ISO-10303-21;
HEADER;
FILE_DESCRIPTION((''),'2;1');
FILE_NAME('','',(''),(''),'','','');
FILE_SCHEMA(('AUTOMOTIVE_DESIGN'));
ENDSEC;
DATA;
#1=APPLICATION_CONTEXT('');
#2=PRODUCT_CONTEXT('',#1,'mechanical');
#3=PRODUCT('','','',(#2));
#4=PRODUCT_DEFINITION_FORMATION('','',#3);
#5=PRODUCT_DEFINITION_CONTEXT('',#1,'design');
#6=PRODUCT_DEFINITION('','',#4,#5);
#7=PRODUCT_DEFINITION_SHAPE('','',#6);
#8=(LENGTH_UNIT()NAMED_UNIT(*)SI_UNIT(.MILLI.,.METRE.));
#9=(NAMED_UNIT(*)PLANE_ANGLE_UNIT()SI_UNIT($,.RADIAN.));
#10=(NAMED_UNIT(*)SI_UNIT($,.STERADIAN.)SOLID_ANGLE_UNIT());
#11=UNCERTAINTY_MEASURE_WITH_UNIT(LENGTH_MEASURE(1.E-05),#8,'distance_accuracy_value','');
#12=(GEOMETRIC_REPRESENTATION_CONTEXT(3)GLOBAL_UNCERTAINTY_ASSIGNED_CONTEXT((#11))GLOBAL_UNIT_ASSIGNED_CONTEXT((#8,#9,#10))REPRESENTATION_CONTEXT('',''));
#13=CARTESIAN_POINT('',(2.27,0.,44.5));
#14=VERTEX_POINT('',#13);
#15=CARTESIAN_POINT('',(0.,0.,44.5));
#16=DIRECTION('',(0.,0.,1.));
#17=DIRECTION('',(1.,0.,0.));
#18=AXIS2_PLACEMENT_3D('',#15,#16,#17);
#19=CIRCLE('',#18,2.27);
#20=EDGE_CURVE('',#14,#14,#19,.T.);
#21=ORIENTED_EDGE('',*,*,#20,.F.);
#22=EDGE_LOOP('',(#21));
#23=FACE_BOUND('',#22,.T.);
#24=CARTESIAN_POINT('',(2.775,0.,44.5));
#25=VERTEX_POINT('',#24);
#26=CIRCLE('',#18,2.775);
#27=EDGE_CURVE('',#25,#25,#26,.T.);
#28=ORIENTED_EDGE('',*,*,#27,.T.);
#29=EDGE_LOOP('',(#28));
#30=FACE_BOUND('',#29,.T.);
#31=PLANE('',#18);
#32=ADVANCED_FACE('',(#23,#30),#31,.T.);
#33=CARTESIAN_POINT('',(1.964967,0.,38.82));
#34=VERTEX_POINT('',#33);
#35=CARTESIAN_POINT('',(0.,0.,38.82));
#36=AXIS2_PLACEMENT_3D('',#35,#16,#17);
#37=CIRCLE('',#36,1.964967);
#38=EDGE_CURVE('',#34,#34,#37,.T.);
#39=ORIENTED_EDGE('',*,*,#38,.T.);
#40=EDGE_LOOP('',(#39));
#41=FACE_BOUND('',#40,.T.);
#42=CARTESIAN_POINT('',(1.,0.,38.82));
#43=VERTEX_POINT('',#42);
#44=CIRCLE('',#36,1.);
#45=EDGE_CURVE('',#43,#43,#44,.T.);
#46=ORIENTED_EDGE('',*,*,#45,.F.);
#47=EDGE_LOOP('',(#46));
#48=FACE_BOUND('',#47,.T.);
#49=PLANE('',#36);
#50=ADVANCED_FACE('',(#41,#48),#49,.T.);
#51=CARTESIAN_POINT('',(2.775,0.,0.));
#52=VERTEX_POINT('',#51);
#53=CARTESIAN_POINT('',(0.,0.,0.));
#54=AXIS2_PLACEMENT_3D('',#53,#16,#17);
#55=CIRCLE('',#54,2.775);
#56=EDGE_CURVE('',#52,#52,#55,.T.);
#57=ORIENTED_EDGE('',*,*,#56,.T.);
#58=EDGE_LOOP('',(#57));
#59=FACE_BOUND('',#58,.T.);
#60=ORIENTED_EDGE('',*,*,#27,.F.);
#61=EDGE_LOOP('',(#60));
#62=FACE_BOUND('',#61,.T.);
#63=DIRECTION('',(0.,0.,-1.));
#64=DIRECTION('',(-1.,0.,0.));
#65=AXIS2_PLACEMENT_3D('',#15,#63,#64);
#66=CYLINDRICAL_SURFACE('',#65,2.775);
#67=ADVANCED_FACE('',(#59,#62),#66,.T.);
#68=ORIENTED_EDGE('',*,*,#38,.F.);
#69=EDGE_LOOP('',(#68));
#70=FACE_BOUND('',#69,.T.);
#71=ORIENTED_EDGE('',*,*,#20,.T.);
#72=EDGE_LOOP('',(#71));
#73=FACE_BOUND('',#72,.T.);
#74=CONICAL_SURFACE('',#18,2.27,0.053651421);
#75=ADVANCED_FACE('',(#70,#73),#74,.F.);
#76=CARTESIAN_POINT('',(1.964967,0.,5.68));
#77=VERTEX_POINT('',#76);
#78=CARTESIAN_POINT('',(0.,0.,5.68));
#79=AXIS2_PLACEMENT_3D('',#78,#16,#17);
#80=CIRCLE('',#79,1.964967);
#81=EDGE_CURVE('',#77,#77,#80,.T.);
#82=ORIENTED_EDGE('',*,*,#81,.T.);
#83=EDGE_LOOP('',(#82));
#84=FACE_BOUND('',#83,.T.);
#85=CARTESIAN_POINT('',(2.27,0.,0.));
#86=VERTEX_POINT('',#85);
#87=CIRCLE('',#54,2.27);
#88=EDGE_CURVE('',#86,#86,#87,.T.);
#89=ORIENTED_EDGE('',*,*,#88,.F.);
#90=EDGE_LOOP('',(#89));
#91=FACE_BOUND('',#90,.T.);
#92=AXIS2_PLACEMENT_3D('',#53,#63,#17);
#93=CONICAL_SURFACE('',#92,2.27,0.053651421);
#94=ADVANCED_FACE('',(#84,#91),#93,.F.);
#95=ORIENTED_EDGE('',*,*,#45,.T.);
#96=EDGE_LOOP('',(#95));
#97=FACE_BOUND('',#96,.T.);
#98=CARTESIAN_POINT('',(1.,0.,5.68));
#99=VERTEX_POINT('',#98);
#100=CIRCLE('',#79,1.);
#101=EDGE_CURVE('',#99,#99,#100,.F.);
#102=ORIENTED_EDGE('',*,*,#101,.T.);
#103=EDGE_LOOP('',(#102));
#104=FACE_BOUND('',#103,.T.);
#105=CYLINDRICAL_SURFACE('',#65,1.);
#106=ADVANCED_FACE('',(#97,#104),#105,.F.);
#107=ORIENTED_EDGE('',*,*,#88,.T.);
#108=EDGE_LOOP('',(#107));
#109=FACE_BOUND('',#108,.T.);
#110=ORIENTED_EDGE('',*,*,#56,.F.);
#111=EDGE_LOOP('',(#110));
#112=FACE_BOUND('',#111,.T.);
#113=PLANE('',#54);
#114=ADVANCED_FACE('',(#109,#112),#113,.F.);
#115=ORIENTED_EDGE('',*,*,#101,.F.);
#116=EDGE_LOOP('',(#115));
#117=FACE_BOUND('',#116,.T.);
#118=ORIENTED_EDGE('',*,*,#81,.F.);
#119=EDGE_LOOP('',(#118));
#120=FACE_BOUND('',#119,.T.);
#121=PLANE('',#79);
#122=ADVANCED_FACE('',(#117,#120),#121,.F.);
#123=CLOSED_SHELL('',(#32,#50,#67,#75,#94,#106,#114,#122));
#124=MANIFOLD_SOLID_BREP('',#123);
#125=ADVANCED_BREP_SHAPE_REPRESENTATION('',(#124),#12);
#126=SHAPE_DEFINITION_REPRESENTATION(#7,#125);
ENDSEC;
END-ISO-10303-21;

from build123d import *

# Parameters (mm, degrees)
SKETCH1_R           = 2.775
BOSS_EXTRUDE1_DEPTH = 44.5
SKETCH2_R           = 2.27
CUT_EXTRUDE1_DEPTH  = 5.68
CUT_EXTRUDE1_TAPER  = 3.074
SKETCH7_R           = 1
CUT_EXTRUDE2_DEPTH  = 45.5
SKETCH9_R           = 2.27
CUT_EXTRUDE3_DEPTH  = 5.68
CUT_EXTRUDE3_TAPER  = 3.074


with BuildPart() as part:
    # Sketch1 → Boss-Extrude1 (new body)
    with BuildSketch(Plane.XY):
        Circle(SKETCH1_R)
    extrude(amount=BOSS_EXTRUDE1_DEPTH)

    # Sketch2 → Cut-Extrude1 (cut)
    with BuildSketch(Plane.XY):
        Circle(SKETCH2_R)
    extrude(amount=CUT_EXTRUDE1_DEPTH, taper=CUT_EXTRUDE1_TAPER, mode=Mode.SUBTRACT)

    # Sketch7 → Cut-Extrude2 (cut, through all)
    with BuildSketch(Plane.XY):
        Circle(SKETCH7_R)
    extrude(amount=CUT_EXTRUDE2_DEPTH, mode=Mode.SUBTRACT)

    # Sketch9 → Cut-Extrude3 (cut)
    with BuildSketch(Plane.XY.offset(44.5)):
        Circle(SKETCH9_R)
    extrude(amount=-CUT_EXTRUDE3_DEPTH, taper=CUT_EXTRUDE3_TAPER, mode=Mode.SUBTRACT)


solid = part.part
